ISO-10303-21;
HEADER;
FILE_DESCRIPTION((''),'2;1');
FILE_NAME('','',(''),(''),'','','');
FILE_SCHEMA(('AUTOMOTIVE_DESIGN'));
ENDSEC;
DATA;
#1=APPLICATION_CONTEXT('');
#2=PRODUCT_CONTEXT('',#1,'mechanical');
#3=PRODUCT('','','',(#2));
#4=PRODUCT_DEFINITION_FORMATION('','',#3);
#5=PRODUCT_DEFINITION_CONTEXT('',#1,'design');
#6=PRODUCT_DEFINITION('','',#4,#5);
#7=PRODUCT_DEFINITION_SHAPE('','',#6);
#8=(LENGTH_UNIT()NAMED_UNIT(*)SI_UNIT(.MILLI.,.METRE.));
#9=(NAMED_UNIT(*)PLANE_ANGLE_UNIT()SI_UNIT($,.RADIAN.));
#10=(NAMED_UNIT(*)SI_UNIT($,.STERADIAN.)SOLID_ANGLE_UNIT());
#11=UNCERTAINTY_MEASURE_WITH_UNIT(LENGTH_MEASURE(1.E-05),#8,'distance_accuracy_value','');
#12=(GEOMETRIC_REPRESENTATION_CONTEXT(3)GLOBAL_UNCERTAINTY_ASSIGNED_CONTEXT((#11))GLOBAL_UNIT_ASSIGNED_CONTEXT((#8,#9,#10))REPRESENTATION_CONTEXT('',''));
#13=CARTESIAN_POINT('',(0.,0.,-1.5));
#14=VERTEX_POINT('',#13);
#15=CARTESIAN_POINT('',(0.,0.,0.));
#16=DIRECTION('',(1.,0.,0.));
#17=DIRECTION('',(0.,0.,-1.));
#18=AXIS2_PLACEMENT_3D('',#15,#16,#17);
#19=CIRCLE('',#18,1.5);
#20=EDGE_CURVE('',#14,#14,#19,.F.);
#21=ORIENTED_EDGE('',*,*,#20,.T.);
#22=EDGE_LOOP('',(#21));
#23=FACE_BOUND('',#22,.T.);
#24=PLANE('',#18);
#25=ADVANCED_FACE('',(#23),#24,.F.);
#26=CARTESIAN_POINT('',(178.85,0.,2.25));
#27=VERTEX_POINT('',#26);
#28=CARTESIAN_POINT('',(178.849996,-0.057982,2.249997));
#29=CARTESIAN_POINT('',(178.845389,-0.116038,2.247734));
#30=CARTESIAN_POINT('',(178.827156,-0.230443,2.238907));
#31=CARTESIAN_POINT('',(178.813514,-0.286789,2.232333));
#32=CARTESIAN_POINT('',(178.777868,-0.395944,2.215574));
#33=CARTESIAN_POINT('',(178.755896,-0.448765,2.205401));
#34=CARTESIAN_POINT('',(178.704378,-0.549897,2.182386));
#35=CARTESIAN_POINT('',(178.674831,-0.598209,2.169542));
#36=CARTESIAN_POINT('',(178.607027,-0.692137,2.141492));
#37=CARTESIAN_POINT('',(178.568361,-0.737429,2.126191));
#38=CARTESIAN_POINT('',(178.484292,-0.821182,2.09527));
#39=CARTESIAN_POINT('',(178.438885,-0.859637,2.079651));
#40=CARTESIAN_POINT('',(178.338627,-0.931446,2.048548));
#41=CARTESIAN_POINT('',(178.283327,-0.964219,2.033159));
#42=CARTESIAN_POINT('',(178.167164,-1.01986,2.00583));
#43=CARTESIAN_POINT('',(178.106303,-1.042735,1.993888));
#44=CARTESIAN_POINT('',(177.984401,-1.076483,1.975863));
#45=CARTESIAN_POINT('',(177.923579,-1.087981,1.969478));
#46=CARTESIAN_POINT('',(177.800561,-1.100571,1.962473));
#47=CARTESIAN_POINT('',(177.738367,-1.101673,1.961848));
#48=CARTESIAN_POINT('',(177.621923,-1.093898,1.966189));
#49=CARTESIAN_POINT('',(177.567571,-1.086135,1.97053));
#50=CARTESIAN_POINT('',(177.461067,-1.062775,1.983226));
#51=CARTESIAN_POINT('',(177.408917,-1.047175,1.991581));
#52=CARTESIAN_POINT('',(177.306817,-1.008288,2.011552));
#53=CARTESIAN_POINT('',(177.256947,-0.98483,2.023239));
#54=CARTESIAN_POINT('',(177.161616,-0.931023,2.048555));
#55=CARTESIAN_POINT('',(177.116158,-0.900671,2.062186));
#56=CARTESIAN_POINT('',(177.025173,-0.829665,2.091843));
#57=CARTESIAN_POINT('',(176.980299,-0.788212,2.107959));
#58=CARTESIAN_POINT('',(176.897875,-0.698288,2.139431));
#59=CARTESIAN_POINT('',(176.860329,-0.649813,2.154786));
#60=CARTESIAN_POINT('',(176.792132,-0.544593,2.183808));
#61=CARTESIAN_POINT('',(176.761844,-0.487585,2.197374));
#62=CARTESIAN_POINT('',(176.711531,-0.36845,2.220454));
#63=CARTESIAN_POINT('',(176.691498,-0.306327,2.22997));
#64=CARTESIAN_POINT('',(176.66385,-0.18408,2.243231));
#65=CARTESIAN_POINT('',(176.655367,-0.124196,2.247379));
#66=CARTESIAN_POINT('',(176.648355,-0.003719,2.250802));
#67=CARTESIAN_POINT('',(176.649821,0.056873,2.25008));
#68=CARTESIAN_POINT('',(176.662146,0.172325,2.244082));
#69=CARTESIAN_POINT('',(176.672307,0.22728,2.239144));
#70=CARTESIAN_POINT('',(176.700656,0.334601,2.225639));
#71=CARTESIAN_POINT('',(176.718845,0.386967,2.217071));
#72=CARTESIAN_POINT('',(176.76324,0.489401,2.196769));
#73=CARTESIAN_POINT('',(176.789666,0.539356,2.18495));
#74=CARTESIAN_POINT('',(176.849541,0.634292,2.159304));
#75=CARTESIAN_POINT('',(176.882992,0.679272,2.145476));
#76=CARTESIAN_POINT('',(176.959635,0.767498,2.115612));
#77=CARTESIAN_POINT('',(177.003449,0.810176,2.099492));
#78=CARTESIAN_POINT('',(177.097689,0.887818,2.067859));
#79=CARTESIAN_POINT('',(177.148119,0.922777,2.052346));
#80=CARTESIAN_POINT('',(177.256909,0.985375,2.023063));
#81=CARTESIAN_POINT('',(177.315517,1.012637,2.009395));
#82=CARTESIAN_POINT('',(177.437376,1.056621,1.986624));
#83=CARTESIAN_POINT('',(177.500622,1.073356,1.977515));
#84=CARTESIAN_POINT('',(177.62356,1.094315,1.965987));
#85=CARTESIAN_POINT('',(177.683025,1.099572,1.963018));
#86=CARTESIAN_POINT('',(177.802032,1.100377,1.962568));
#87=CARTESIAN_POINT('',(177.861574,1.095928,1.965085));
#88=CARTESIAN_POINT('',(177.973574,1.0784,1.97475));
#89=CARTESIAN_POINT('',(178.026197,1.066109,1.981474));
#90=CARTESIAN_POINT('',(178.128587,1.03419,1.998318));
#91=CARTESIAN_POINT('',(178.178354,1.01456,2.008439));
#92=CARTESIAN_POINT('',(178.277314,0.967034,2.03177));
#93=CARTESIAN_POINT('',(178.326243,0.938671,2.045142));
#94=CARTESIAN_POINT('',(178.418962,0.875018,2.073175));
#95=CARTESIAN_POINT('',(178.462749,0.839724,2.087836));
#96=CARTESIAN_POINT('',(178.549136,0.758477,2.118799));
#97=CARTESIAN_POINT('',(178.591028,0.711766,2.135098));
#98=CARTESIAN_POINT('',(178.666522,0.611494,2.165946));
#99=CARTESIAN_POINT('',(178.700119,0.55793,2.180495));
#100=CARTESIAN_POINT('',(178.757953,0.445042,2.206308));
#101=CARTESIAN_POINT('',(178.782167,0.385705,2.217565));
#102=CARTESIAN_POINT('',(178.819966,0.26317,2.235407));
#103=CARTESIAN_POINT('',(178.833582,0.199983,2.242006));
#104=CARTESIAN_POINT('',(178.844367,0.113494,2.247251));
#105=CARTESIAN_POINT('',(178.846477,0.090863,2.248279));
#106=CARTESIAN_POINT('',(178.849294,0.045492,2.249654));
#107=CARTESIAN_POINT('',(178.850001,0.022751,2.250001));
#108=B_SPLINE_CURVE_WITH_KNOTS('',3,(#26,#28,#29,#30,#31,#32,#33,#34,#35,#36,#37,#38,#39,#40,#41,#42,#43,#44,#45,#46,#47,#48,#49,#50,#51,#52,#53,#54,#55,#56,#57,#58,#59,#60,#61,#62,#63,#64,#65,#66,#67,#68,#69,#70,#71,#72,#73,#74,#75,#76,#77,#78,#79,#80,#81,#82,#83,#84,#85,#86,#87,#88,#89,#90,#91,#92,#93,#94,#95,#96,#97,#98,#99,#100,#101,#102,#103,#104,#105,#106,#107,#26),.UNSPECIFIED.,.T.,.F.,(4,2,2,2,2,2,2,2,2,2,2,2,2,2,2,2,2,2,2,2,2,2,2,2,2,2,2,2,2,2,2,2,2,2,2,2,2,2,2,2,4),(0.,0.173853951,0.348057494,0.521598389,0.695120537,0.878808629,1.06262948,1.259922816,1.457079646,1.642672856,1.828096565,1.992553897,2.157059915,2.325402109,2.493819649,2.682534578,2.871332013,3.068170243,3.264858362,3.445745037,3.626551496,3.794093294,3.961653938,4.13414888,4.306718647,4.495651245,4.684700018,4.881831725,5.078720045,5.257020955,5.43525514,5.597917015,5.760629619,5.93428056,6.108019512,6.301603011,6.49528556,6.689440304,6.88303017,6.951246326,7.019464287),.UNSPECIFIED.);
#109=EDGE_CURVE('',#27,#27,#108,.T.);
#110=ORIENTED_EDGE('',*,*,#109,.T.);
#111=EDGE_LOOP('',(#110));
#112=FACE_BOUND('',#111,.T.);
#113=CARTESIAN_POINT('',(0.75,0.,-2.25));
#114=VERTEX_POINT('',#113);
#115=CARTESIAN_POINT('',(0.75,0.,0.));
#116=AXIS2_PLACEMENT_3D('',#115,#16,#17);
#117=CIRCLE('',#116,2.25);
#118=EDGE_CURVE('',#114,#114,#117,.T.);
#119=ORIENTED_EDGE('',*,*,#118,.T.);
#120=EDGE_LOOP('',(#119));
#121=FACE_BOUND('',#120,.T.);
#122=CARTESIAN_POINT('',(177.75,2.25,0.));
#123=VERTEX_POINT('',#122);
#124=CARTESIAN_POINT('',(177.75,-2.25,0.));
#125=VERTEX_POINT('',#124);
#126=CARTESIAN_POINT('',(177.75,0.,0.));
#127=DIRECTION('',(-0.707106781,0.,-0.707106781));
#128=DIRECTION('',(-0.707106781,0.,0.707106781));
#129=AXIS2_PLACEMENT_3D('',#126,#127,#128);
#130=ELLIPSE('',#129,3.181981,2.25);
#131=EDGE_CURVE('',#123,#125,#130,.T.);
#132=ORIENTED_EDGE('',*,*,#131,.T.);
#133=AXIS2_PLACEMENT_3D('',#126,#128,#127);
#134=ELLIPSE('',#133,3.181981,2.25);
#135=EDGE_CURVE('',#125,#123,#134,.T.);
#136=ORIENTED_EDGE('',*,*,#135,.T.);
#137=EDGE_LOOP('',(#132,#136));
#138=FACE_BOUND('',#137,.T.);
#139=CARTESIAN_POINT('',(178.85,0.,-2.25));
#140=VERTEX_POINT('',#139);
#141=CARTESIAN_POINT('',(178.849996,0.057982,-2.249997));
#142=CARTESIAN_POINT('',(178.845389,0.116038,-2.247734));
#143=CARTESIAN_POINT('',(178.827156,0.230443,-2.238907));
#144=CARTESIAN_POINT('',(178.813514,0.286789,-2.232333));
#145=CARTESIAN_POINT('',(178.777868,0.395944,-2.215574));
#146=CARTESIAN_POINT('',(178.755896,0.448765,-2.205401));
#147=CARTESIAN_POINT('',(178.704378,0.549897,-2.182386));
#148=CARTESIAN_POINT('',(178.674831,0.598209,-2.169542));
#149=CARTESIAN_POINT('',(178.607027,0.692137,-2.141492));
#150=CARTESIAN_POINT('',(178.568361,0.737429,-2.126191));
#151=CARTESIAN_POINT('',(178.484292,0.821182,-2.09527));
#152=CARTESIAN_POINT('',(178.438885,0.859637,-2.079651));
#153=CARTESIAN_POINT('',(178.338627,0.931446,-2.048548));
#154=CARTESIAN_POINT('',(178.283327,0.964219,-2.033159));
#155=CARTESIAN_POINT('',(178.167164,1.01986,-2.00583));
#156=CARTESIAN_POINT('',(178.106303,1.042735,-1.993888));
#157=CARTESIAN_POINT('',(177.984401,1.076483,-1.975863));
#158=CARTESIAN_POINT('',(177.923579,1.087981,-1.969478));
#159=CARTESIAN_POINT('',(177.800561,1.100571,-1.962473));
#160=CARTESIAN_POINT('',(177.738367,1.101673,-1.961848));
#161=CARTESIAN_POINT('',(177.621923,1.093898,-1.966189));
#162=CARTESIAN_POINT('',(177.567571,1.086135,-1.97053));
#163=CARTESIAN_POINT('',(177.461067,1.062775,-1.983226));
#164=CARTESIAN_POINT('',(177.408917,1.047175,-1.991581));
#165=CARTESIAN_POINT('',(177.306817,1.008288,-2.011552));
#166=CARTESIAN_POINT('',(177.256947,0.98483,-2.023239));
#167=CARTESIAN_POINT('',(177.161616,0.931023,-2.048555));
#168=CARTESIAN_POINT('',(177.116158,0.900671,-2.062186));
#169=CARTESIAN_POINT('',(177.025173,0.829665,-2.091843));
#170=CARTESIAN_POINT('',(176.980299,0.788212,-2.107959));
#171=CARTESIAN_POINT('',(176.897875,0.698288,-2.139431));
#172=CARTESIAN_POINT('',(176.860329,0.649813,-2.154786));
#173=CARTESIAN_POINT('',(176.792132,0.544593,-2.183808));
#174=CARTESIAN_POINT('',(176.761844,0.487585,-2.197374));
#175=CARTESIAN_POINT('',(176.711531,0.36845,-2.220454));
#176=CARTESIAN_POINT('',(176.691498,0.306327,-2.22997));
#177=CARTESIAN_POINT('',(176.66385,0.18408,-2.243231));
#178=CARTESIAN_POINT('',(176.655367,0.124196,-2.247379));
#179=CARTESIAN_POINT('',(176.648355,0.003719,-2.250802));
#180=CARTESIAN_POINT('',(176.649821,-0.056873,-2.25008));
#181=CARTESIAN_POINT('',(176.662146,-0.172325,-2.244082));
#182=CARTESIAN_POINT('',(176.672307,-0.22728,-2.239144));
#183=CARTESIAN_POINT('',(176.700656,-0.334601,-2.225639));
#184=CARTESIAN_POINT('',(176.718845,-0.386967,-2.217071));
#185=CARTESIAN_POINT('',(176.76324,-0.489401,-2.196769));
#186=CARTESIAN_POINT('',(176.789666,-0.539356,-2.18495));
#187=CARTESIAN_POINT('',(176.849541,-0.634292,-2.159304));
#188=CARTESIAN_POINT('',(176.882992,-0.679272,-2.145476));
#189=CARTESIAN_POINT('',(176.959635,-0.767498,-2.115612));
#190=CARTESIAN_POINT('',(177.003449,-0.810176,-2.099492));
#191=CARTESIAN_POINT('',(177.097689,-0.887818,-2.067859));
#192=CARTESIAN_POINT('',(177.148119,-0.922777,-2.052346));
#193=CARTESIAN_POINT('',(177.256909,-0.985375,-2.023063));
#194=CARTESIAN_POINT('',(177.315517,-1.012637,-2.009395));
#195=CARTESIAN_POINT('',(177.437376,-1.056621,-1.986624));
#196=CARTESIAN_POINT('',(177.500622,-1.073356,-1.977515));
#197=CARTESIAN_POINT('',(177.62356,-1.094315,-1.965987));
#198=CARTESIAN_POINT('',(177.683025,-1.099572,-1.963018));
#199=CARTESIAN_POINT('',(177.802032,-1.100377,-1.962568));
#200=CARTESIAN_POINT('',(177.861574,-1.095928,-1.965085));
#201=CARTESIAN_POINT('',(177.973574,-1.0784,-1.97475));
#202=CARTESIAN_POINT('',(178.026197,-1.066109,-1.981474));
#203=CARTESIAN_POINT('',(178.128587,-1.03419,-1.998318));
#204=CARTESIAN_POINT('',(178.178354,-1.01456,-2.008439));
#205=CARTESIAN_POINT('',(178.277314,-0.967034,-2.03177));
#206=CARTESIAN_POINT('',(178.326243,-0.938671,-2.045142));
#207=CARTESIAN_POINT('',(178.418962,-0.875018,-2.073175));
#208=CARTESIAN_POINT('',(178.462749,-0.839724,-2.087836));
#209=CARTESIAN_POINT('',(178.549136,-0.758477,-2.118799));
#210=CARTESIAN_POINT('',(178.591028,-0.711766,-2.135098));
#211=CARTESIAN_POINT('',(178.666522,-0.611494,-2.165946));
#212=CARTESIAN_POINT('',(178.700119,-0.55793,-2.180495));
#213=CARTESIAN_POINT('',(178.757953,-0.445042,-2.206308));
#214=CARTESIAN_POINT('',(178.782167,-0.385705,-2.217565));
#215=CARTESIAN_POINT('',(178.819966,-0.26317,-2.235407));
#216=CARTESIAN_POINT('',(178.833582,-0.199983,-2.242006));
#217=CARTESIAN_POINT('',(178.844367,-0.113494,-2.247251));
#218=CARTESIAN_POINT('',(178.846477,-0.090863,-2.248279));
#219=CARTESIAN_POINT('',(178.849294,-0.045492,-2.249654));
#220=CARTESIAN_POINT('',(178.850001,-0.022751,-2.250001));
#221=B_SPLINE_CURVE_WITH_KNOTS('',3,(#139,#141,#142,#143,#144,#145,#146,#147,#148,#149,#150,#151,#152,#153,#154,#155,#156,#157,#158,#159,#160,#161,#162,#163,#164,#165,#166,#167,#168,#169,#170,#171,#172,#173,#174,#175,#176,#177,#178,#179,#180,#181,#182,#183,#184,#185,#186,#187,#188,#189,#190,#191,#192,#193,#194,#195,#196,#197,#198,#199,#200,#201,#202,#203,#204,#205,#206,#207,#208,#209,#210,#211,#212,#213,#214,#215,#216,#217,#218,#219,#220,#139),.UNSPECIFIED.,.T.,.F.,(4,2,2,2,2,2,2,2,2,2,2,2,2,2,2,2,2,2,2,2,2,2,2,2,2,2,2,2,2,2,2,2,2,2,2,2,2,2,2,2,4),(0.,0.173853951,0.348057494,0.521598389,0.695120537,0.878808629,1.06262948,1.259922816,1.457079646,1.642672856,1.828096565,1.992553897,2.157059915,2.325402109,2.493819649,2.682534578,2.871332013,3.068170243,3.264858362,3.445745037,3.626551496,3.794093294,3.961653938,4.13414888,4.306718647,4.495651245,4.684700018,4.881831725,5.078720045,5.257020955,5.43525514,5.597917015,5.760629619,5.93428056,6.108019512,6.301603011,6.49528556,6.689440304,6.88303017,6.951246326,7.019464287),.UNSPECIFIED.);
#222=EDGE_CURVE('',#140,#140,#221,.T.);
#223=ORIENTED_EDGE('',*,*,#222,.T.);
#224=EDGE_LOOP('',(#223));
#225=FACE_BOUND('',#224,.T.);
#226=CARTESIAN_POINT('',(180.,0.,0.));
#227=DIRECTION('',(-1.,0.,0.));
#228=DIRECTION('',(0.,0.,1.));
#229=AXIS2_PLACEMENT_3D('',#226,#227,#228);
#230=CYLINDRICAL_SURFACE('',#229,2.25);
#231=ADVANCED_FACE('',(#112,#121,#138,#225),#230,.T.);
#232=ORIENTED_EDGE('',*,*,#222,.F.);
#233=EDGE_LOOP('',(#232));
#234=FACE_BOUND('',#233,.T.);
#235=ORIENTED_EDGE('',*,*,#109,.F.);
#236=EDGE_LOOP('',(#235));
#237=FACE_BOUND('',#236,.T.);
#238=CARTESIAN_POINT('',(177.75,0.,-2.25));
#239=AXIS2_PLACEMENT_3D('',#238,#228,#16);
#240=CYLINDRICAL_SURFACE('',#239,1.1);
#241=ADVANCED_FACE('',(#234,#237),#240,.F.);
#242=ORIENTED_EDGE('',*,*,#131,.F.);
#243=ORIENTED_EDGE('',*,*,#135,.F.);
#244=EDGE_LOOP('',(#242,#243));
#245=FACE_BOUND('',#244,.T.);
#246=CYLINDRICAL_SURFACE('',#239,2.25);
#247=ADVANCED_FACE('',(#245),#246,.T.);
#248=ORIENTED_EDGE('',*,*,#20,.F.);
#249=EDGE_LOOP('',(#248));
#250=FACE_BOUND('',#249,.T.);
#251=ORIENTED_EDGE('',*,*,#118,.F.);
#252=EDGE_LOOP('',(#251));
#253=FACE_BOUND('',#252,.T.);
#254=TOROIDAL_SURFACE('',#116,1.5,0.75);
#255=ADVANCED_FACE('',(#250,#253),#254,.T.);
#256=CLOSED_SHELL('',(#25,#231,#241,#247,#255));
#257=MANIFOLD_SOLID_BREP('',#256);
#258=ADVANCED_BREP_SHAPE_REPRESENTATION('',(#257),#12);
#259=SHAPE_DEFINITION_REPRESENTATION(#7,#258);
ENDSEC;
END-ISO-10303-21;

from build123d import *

# Parameters (mm, degrees)
SKETCH1_R               = 2.25
BOSS_EXTRUDE1_DEPTH     = 180
FILLET1_R               = 0.75
SKETCH2_R               = 1.1
CUT_EXTRUDE1_DEPTH      = 3.25
CUT_EXTRUDE1_DEPTH_BACK = 3.25


with BuildPart() as part:
    # Sketch1 → Boss-Extrude1 (new body)
    with BuildSketch(Plane(origin=(0, 0, 0), x_dir=(0, 0, -1), z_dir=(1, 0, 0))):
        Circle(SKETCH1_R)
    extrude(amount=BOSS_EXTRUDE1_DEPTH)

    # Fillet1
    fillet1_edges = [part.edges().sort_by_distance(p)[0] for p in [
        (0, 0, 2.25),
    ]]
    fillet(fillet1_edges, radius=FILLET1_R)

    # Sketch2 → Cut-Extrude1 (cut, two sides)
    with BuildSketch(Plane.XY) as cut_extrude1_sk:
        with BuildLine():
            Line((180, 2.25), (177.75, 2.25))
            ThreePointArc((177.75, 2.25), (179.340990258, 1.590990258), (180, 0))
            Line((180, 0), (180, 2.25))
        make_face()
        with BuildLine():
            Line((180, -2.25), (180, 0))
            ThreePointArc((180, 0), (179.340990258, -1.590990258), (177.75, -2.25))
            Line((177.75, -2.25), (180, -2.25))
        make_face()
        with Locations((177.75, 0)):
            Circle(SKETCH2_R)
    extrude(amount=CUT_EXTRUDE1_DEPTH, mode=Mode.SUBTRACT)
    extrude(cut_extrude1_sk.sketch, amount=-CUT_EXTRUDE1_DEPTH_BACK, mode=Mode.SUBTRACT)


solid = part.part
